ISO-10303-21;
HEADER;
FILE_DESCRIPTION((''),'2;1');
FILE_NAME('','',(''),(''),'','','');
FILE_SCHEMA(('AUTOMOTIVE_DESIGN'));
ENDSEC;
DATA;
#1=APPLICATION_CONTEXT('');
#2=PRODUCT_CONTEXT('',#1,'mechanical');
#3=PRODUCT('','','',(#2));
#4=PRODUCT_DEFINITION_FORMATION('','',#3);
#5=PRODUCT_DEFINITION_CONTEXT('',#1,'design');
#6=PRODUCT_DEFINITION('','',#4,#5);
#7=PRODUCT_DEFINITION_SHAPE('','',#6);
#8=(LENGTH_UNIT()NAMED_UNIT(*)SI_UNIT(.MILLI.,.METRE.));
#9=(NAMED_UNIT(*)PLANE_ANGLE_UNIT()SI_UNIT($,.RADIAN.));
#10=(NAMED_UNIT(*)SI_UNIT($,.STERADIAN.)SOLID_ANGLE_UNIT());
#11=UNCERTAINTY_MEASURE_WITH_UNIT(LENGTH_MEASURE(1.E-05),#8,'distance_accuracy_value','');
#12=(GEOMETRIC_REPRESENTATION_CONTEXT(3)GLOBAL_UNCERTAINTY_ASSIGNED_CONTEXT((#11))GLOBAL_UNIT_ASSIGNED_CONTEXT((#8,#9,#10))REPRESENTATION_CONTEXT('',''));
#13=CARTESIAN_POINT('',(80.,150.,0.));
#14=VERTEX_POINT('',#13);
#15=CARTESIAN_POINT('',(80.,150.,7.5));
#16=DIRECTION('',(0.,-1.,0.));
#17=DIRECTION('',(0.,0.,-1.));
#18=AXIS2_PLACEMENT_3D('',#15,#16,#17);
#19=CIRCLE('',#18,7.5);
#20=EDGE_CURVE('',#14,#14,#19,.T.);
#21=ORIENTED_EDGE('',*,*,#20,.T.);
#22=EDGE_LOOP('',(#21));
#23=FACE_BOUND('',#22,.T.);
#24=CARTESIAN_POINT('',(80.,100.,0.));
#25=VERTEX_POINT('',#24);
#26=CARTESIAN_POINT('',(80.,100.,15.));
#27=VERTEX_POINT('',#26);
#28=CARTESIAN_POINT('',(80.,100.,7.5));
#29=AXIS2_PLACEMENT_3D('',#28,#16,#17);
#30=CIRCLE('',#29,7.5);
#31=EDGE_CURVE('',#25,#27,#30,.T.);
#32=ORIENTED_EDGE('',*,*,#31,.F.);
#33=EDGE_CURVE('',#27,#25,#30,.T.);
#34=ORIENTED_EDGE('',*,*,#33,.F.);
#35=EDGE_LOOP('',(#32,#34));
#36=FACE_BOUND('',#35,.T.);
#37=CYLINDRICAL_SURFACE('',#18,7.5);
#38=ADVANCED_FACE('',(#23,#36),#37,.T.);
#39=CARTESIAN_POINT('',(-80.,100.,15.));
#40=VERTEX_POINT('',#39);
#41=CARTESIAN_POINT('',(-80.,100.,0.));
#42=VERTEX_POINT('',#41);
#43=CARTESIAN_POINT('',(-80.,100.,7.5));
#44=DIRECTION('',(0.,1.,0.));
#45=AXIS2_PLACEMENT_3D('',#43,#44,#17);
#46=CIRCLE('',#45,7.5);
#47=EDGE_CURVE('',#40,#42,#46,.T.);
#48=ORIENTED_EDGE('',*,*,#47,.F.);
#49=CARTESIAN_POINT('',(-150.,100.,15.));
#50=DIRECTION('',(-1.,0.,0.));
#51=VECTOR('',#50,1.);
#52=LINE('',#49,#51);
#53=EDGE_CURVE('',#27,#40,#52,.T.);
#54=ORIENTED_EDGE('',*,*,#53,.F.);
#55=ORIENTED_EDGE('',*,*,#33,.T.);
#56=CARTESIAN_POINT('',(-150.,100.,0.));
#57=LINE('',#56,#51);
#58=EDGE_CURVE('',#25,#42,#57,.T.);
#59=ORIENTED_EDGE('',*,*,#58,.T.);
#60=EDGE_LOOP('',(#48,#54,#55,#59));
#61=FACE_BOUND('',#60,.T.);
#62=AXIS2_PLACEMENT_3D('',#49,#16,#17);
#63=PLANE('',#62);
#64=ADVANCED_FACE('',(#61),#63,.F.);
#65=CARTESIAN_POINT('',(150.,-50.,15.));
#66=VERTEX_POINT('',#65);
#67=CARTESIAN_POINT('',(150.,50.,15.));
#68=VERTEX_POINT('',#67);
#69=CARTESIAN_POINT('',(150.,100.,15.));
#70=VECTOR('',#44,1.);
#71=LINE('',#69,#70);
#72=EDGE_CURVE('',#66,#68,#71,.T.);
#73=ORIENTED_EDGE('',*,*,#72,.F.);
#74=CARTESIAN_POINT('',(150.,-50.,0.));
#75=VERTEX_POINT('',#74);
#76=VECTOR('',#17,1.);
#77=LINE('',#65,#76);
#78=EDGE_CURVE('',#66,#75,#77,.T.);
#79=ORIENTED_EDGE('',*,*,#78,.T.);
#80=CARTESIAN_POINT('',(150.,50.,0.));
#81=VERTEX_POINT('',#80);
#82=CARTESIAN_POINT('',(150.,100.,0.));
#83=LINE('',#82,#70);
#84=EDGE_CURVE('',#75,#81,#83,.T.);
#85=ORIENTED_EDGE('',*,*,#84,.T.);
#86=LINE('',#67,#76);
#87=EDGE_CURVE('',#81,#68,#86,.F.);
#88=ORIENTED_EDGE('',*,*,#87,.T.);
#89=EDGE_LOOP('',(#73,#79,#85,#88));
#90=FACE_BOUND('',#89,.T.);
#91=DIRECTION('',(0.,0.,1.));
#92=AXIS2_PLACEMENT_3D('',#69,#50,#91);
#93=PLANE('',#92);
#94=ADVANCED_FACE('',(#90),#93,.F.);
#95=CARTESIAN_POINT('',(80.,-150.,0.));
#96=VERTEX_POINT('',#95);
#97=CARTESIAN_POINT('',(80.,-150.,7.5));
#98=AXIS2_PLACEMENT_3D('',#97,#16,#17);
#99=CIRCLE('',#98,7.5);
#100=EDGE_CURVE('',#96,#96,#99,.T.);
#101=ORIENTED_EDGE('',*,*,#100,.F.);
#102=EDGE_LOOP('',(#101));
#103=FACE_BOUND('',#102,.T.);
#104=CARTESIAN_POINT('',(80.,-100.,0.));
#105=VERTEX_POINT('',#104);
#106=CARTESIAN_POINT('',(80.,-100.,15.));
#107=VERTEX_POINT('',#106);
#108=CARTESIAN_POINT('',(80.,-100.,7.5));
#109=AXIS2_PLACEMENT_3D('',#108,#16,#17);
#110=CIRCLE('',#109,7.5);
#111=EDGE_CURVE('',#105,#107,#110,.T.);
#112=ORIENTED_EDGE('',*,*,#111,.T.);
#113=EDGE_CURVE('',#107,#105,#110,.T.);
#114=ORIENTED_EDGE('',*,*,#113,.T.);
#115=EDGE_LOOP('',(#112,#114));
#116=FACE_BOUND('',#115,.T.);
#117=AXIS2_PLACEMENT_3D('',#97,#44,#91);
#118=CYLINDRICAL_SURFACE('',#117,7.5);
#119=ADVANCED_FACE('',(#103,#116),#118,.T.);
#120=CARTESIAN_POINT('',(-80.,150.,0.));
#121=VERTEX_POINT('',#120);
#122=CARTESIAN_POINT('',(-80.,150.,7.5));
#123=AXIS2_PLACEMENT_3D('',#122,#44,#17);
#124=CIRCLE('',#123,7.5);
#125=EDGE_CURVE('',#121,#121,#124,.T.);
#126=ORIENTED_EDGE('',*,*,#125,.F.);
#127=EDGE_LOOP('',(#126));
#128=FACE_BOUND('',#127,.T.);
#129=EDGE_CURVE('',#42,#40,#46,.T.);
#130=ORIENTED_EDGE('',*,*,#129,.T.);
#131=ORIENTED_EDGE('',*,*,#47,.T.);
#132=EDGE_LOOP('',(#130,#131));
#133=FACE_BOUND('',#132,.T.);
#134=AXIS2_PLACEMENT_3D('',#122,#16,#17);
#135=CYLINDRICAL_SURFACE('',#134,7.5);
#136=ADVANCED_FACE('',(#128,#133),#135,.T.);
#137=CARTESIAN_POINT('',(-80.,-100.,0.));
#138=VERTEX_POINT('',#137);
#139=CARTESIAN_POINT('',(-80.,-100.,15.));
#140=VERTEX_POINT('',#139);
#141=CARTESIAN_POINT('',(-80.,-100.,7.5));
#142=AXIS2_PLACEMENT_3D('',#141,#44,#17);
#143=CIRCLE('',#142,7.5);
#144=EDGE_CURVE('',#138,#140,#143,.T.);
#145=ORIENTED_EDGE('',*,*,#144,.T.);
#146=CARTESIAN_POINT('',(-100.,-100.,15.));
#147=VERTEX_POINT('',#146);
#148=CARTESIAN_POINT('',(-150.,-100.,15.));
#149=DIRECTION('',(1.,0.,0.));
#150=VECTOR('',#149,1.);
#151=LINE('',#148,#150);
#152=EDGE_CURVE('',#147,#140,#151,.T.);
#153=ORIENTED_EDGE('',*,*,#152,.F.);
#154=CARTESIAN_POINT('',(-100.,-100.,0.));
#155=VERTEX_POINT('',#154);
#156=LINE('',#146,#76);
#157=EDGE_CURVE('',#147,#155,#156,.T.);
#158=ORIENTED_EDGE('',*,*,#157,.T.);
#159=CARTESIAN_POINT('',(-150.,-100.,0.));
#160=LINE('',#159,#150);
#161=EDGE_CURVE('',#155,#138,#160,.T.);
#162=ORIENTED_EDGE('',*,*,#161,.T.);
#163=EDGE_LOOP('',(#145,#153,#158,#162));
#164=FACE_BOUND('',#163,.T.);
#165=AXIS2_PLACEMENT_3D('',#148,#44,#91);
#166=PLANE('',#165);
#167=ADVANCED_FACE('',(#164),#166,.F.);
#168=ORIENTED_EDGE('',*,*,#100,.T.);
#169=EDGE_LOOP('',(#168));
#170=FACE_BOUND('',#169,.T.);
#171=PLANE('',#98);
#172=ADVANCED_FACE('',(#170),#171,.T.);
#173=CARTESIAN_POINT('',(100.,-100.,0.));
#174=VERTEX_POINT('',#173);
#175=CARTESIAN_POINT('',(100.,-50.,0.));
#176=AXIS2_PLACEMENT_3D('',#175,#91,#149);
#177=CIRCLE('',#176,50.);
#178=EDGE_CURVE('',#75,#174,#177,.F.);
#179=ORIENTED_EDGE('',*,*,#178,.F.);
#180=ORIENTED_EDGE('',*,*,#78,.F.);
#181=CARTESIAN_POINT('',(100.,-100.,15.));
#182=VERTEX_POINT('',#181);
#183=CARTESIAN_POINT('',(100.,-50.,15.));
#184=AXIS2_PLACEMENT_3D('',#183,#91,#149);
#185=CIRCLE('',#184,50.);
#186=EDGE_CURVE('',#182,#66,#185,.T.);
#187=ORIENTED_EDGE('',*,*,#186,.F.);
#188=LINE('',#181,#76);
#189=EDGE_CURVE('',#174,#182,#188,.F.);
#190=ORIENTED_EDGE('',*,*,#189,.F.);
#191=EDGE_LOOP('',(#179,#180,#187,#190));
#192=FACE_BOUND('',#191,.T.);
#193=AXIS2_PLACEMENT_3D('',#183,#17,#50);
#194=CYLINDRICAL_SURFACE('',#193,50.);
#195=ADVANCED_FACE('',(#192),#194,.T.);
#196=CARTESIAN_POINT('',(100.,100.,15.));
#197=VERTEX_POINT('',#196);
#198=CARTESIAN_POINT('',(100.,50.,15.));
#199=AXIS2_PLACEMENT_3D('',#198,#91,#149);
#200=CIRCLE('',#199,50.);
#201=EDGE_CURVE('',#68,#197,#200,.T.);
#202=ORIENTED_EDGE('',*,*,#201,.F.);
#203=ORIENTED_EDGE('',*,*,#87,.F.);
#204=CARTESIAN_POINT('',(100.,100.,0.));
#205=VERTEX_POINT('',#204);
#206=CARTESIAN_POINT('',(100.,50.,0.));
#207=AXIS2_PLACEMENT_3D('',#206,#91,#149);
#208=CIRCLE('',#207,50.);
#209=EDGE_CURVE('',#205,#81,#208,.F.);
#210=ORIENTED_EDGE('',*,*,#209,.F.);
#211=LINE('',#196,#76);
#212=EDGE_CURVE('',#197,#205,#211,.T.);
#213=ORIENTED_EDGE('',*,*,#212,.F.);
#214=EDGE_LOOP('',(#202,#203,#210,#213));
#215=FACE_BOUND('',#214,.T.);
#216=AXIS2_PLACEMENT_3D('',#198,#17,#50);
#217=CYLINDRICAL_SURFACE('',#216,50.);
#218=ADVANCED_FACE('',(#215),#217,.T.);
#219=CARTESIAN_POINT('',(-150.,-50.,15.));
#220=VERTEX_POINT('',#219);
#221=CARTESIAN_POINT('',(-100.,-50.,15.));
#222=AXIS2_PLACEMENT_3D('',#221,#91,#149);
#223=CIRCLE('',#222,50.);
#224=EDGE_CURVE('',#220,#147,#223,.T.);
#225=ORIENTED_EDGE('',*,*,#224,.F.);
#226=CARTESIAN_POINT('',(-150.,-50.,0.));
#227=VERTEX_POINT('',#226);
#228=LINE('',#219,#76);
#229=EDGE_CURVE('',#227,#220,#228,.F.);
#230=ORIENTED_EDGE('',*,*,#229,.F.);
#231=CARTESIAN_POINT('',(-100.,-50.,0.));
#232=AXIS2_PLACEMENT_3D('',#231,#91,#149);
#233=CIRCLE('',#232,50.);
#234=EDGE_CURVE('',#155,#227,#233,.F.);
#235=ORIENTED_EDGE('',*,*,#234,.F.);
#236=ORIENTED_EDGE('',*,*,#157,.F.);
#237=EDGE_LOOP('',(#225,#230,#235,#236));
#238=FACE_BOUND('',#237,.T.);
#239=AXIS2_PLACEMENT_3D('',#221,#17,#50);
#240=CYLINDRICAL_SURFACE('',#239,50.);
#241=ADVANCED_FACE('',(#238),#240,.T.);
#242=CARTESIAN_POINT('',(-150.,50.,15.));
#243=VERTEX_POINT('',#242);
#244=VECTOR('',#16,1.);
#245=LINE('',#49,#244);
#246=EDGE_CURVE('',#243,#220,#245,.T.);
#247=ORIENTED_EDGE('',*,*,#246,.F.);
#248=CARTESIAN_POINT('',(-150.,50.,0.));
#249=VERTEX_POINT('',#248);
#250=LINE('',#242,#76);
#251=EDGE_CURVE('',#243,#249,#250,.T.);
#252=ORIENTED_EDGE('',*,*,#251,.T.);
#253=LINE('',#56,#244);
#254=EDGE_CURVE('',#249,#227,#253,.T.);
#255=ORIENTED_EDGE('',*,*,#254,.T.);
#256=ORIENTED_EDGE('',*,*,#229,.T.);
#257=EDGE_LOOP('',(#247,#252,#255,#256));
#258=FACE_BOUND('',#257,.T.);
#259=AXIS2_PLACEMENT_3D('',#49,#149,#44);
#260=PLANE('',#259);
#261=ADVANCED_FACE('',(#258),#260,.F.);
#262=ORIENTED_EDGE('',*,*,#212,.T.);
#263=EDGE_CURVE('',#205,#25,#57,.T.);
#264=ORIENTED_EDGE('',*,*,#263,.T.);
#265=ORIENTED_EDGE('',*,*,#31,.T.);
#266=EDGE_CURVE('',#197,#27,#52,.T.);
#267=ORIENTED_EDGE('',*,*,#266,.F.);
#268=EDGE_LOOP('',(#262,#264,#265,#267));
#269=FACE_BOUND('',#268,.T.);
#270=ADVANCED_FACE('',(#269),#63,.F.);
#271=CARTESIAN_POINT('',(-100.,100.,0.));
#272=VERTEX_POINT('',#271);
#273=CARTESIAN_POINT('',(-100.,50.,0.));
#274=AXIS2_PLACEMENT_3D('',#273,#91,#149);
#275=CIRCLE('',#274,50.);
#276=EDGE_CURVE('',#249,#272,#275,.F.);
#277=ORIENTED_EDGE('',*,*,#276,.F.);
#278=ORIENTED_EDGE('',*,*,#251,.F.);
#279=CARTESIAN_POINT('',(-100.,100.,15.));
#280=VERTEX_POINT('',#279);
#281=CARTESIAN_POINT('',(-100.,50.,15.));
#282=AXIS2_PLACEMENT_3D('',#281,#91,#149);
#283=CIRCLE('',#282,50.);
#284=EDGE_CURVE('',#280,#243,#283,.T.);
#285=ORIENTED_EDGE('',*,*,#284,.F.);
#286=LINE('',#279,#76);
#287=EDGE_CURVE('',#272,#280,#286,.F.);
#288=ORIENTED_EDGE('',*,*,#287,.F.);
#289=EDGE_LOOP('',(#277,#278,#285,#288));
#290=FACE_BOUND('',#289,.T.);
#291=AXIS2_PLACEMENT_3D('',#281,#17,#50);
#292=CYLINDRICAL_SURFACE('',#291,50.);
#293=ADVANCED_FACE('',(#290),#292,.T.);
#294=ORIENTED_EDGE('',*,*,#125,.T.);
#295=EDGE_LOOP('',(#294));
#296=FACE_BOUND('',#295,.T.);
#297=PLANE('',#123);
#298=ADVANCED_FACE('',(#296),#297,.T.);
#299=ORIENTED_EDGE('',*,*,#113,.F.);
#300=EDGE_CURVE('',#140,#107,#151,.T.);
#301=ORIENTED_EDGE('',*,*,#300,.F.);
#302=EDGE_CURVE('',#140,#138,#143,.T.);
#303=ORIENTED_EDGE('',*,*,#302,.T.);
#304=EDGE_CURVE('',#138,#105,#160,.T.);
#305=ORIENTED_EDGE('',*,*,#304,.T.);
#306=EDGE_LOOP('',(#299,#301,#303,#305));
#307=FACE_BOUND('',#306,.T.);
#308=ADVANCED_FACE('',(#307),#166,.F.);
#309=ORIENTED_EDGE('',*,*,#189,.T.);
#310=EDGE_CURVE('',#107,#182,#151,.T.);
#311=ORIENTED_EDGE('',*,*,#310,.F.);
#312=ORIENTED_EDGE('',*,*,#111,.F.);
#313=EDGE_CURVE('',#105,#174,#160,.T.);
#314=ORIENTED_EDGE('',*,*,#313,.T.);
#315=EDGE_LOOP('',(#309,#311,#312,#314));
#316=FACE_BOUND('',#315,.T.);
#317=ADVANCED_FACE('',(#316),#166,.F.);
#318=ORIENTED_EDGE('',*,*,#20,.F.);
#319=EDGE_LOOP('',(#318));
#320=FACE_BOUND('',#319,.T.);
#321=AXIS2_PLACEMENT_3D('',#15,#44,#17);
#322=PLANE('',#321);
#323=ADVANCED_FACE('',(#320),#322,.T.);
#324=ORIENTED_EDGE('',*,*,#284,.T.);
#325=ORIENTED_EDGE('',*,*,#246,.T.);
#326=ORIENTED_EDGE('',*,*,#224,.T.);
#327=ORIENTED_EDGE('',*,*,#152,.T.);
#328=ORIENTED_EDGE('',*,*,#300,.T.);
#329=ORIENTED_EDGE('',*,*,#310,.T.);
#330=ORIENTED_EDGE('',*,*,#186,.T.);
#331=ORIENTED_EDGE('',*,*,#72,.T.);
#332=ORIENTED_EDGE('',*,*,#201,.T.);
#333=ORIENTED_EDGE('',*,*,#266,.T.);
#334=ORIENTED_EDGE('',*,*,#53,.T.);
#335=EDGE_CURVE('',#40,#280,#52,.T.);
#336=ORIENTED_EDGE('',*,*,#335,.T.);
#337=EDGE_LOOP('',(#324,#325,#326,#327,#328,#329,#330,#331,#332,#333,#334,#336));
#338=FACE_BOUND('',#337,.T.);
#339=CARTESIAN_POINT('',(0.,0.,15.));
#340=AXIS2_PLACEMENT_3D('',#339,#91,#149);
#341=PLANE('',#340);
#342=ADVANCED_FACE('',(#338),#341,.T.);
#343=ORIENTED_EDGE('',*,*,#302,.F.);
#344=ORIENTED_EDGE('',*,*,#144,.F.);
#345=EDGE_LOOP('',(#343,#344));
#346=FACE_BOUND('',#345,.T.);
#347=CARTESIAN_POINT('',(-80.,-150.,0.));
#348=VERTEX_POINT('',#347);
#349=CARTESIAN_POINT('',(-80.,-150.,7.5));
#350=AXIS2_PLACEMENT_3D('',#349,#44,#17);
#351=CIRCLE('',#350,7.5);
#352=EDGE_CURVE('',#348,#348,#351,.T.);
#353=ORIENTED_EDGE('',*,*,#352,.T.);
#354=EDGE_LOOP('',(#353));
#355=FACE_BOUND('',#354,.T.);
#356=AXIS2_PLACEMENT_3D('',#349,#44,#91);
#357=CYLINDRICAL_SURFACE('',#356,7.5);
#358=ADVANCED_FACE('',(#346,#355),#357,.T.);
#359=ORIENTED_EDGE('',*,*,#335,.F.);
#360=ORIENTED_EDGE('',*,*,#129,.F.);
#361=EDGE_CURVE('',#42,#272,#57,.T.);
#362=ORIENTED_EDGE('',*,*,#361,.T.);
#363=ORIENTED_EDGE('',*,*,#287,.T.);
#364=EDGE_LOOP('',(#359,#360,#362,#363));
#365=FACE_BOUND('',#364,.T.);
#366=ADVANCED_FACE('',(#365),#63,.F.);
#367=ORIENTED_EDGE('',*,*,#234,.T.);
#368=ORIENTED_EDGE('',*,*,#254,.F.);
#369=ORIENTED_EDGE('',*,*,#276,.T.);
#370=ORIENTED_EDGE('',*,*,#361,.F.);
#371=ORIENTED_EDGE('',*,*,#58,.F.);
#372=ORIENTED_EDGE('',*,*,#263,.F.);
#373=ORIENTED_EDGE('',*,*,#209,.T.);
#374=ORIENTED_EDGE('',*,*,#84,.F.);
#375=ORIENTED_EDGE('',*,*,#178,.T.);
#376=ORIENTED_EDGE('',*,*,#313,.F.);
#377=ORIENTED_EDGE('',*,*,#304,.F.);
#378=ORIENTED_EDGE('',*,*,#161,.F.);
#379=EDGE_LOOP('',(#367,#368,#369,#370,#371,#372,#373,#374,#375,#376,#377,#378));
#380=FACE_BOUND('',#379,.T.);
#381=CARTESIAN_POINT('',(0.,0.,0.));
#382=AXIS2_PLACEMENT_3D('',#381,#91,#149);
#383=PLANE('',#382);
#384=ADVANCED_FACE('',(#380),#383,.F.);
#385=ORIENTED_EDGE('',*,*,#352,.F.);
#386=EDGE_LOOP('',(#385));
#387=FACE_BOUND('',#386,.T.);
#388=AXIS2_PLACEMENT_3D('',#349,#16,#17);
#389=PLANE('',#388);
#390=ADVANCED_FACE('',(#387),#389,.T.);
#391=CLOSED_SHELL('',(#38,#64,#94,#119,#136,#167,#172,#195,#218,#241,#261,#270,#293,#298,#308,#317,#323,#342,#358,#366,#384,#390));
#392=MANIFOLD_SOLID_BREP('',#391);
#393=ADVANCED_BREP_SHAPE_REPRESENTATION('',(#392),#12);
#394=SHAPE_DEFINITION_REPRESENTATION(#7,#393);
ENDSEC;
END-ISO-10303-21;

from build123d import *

# Parameters (mm, degrees)
SKETCH3_W               = 300
SKETCH3_H               = 200
BOSS_EXTRUDE1_DEPTH     = 15
FILLET1_R               = 50
SKETCH7_R               = 7.5
BOSS_EXTRUDE2_DEPTH     = 50
MIRROR2_COPY_1_SKETCH_R = 7.5
MIRROR2_COPY_1_DEPTH    = 50


with BuildPart() as part:
    # Sketch3 → Boss-Extrude1 (new body)
    with BuildSketch(Plane.XY):
        Rectangle(SKETCH3_W, SKETCH3_H)
    extrude(amount=BOSS_EXTRUDE1_DEPTH)

    # Fillet1
    fillet1_edges = [part.edges().sort_by_distance(p)[0] for p in [
        (150, -100, 7.5),
        (-150, -100, 7.5),
        (-150, 100, 7.5),
        (150, 100, 7.5),
    ]]
    fillet(fillet1_edges, radius=FILLET1_R)

    # Sketch7 → Boss-Extrude2 (add)
    with BuildSketch(Plane.XZ.offset(100)):
        with Locations(Location((80, 7.5, 0), (0, 0, 270))):
            Circle(SKETCH7_R)
    boss_extrude2 = extrude(amount=BOSS_EXTRUDE2_DEPTH)

    # Mirror1: Boss-Extrude2 across plane
    add(boss_extrude2.mirror(Plane(origin=(0, 0, 0), x_dir=(0, 0, 1), z_dir=(1, 0, 0))))

    # Mirror2: Boss-Extrude2 across plane
    add(boss_extrude2.mirror(Plane.ZX))

    # Mirror2 copy 1 sketch → Mirror2 copy 1 (add)
    with BuildSketch(Plane(origin=(0, 100, 0), x_dir=(-1, 0, 0), z_dir=(0, 1, 0))):
        with Locations(Location((80, 7.5, 0), (0, 0, 270))):
            Circle(MIRROR2_COPY_1_SKETCH_R)
    extrude(amount=MIRROR2_COPY_1_DEPTH)


solid = part.part
